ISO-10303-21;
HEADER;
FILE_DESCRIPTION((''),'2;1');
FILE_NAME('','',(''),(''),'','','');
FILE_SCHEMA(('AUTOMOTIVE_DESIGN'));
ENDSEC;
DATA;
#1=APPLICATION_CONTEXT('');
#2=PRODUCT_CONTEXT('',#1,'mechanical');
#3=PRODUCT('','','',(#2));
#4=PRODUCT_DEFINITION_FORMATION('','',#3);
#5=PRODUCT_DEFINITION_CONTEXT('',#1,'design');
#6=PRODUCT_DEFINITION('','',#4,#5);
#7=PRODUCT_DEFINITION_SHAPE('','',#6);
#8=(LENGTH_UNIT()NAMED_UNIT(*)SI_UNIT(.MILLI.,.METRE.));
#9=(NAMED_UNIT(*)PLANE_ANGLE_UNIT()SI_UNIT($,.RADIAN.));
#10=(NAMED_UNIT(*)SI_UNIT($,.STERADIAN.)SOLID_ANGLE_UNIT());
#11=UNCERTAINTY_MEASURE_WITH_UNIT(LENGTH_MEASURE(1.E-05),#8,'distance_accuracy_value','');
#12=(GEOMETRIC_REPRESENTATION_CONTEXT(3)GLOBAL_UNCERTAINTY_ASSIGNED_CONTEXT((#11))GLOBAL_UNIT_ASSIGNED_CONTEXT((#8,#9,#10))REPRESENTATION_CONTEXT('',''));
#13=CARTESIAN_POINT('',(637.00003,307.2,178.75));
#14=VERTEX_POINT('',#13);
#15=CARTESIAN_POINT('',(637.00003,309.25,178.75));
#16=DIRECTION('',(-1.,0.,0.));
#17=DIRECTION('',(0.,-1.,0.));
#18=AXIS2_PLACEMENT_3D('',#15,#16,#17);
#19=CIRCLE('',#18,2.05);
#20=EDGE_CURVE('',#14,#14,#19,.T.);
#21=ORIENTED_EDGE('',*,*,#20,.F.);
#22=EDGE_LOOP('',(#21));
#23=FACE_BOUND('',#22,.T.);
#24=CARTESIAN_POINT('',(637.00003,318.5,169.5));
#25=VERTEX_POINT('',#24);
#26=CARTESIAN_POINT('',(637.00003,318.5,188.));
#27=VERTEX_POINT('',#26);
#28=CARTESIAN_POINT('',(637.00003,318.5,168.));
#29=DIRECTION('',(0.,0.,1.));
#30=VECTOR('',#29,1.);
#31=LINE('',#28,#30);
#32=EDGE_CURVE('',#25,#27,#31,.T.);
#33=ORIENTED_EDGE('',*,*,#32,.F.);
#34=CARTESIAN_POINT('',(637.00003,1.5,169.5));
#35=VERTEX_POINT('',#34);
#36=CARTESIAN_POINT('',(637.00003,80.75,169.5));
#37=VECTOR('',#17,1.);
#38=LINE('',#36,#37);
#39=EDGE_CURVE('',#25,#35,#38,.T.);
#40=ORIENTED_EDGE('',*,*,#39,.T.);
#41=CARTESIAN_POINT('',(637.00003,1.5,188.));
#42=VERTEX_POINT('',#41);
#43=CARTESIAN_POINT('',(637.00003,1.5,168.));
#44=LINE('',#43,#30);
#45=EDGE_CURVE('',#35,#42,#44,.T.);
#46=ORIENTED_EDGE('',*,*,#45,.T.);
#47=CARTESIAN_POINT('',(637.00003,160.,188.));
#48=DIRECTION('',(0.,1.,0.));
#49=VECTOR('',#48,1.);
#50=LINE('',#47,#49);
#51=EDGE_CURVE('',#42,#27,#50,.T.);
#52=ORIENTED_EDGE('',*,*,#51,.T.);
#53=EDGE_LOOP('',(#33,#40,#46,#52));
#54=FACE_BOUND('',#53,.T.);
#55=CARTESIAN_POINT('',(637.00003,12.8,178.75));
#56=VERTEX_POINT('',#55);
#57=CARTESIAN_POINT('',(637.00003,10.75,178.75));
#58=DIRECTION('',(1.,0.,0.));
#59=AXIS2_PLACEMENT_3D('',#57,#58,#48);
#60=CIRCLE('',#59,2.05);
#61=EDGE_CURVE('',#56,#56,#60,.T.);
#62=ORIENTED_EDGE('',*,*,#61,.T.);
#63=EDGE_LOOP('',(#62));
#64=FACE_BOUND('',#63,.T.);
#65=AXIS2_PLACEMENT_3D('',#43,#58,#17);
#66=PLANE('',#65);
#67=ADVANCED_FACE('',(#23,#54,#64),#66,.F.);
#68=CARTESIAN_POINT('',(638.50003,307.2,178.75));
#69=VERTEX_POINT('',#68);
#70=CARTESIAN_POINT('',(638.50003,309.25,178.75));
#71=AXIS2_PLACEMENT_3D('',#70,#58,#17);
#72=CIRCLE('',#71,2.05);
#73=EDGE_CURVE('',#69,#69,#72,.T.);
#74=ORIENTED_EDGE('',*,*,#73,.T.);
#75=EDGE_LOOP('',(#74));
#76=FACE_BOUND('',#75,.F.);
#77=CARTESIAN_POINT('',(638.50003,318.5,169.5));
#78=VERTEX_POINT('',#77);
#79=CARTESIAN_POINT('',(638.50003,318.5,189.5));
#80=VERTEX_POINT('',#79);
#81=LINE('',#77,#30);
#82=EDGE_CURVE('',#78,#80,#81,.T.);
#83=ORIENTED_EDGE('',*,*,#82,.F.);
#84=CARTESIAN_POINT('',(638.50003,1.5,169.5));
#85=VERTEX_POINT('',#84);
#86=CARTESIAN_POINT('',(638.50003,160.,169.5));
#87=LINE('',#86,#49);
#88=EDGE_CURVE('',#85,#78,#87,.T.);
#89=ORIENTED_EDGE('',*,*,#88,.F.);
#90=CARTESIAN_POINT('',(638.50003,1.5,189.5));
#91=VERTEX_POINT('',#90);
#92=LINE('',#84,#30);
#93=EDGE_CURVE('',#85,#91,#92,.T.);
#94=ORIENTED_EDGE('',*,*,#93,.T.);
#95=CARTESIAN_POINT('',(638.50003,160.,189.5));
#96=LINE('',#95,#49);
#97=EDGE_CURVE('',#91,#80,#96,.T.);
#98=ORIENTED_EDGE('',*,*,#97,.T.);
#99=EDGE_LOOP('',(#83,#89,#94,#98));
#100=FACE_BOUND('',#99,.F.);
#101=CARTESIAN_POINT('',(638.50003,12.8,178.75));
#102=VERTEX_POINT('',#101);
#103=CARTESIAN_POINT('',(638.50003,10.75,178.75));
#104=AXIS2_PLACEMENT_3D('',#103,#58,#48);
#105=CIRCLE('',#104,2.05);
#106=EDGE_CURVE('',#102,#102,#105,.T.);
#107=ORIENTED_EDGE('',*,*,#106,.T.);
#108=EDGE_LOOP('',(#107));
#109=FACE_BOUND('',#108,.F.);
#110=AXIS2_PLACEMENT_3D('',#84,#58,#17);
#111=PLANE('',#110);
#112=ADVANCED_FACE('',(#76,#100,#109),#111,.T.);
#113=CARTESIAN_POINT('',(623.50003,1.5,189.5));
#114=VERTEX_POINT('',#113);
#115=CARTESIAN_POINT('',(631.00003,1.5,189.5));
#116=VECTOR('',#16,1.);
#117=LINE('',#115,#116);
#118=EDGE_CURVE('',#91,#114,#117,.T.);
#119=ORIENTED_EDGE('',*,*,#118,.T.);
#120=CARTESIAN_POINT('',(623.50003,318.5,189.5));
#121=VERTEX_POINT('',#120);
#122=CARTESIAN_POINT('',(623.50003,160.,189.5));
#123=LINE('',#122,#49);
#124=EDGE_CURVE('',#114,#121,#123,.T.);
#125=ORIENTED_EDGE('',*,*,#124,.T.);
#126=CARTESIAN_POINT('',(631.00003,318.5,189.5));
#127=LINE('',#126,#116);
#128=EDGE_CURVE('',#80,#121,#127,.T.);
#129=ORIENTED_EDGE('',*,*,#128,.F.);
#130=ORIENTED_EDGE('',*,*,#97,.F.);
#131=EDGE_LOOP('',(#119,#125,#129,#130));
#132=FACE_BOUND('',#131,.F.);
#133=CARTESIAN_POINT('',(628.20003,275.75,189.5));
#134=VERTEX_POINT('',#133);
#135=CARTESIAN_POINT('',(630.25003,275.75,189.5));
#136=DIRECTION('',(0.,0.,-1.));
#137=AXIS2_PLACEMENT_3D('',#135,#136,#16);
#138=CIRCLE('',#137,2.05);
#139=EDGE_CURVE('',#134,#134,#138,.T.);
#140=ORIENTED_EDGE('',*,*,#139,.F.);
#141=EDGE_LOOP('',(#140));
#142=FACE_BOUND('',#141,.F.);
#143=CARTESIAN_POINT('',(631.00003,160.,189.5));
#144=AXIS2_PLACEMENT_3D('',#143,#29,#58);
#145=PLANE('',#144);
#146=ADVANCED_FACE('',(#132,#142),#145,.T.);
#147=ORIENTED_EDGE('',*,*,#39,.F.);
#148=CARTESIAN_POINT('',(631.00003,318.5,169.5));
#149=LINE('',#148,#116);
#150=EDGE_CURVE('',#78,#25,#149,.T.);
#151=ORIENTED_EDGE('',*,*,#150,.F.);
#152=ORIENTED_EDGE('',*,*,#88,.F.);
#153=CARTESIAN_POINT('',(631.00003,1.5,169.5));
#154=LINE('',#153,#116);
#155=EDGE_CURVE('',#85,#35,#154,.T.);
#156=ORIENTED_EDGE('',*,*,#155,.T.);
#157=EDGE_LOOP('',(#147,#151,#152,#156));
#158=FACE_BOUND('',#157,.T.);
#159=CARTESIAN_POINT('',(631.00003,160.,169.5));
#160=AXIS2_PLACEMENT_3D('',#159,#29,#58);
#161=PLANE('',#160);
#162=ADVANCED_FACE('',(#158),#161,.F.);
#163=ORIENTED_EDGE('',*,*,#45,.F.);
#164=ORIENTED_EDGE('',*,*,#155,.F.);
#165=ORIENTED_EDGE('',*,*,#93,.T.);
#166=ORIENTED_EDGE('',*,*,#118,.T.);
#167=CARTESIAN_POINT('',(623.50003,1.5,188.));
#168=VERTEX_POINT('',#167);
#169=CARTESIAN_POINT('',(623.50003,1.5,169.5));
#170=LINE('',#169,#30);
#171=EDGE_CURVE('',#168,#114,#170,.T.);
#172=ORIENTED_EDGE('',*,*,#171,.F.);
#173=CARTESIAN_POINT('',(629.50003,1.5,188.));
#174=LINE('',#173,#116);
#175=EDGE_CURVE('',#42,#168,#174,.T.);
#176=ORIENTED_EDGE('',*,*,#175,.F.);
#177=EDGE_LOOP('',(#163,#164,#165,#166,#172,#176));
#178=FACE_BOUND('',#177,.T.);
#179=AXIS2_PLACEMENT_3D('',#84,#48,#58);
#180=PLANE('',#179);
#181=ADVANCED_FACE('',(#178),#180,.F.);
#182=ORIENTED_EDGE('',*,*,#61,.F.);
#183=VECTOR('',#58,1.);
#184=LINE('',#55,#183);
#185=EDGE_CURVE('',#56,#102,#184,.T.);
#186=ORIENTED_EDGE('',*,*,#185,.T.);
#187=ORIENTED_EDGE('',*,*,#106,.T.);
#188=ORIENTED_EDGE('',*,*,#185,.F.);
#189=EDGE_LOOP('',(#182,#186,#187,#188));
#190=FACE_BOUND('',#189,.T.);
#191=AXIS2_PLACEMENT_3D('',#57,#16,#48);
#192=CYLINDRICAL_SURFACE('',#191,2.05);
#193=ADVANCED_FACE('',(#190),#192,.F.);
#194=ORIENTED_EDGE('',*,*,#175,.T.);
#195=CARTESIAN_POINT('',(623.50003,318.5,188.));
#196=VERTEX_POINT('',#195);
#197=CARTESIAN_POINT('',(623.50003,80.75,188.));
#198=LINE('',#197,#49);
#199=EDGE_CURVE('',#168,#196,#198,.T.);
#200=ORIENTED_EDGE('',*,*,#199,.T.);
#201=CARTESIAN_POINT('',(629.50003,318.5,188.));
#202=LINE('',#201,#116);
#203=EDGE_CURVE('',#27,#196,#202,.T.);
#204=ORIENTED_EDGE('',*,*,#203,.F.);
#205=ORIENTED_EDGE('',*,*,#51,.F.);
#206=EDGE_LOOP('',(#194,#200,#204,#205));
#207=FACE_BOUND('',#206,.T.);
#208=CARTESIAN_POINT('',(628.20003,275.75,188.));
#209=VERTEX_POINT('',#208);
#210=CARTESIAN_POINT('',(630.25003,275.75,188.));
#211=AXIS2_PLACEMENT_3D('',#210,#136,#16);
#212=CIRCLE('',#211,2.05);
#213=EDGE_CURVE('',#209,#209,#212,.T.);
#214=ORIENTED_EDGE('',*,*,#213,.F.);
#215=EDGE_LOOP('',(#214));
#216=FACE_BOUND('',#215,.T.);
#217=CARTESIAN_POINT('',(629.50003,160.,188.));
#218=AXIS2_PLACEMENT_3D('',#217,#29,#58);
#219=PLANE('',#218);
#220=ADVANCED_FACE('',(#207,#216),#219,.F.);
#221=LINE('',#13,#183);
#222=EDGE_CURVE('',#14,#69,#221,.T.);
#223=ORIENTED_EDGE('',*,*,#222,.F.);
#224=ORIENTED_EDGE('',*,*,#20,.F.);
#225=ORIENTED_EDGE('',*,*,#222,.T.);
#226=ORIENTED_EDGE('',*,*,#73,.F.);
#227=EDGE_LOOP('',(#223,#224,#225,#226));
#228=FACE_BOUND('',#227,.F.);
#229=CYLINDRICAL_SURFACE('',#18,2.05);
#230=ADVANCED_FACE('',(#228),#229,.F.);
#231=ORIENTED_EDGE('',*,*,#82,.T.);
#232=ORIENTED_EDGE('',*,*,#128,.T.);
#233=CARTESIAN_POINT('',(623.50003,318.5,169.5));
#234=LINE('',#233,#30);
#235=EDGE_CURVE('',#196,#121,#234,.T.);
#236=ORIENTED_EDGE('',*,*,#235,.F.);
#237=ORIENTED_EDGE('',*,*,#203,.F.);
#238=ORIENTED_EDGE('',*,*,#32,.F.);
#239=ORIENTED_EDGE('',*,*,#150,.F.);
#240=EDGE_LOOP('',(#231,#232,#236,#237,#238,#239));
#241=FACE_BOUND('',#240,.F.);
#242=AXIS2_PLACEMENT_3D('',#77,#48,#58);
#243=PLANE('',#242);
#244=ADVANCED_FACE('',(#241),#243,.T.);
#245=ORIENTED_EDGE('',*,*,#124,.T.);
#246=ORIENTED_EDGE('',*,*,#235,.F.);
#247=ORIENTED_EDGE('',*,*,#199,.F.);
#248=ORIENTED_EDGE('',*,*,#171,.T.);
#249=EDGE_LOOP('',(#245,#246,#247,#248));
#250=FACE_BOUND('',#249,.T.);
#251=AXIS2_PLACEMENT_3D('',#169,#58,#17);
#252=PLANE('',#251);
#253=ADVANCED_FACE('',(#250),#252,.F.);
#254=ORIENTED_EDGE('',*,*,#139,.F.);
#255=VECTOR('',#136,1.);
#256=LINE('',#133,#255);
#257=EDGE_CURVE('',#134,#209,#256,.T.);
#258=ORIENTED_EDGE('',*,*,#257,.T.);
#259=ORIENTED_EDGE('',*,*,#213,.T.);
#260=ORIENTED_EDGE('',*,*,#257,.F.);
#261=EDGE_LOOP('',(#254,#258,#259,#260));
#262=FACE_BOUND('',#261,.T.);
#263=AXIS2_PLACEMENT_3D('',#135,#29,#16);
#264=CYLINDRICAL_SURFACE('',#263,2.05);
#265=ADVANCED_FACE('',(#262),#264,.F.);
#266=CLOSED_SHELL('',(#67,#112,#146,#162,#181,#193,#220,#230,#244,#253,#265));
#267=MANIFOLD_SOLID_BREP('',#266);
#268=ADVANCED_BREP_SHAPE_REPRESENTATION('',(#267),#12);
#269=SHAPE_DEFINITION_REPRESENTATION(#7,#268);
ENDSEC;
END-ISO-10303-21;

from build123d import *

# Parameters (mm, degrees)
BOX007_W      = 15
BOX007_H      = 317
BOX007_DEPTH  = 20
BOX006_W      = 15
BOX006_H      = 317
BOX006_DEPTH  = 20
SKETCH010_R   = 2.05
HOLE005_DEPTH = 637.469553
SKETCH019_R   = 2.05
HOLE012_DEPTH = 20.001


with BuildPart() as cut017:
    # Box007 → Box007 (new body)
    with BuildSketch(Plane(origin=(1.5, 0, -1.5), x_dir=(1, 0, 0), z_dir=(0, 0, 1))):
        with Locations((7.5, 158.5)):
            Rectangle(BOX007_W, BOX007_H)
    extrude(amount=BOX007_DEPTH)


with BuildPart() as side_middle_body:
    # Box006 → Box006 (new body)
    with BuildSketch(Plane.XY):
        with Locations((7.5, 158.5)):
            Rectangle(BOX006_W, BOX006_H)
    extrude(amount=BOX006_DEPTH)

    # Cut013: cut Cut017
    add(cut017.part, mode=Mode.SUBTRACT)


with BuildPart() as side_middle_body_1:
    # Cut013 placement: moved
    add(side_middle_body.part.moved(Location((1.5, 1.5, 158))))


with BuildPart() as side_middle_body_2:
    # BaseFeature004 placement: moved
    add(side_middle_body_1.part.moved(Location((-1.5, -1.5, -158))))

    # Sketch010 → Hole005 (cut, through all)
    with BuildSketch(Plane.YZ.offset(1.5)):
        with Locations((9.25, 9.25)):
            Circle(SKETCH010_R)
    hole005 = extrude(amount=-HOLE005_DEPTH, mode=Mode.SUBTRACT)

    # Mirrored003: Hole005 across Sketch010 Axis0
    add(hole005.mirror(Plane(origin=(1.5, 158.5, 18.5), x_dir=(1, 0, 0), z_dir=(0, 1, 0))), mode=Mode.SUBTRACT)

    # Sketch019 → Hole012 (cut, through all)
    with BuildSketch(Plane.XY.offset(20)):
        with Locations((8.25, 274.25)):
            Circle(SKETCH019_R)
    extrude(amount=-HOLE012_DEPTH, mode=Mode.SUBTRACT)


with BuildPart() as side_middle_body_3:
    # Body004 placement: moved
    add(side_middle_body_2.part.moved(Location((1.5, 1.5, 169.5))))


with BuildPart() as left_middle_mirror:
    # Part__Mirroring003: instance of side_middle_body
    add(side_middle_body_3.part.mirror(Plane(origin=(1.5e-05, 160, 169.5), x_dir=(0, -1, 0), z_dir=(1, 0, 0))))


with BuildPart() as left_middle_mirror_1:
    # Part__Mirroring003 placement: moved
    add(left_middle_mirror.part.moved(Location((640, 0, 0))))


solid = left_middle_mirror_1.part
